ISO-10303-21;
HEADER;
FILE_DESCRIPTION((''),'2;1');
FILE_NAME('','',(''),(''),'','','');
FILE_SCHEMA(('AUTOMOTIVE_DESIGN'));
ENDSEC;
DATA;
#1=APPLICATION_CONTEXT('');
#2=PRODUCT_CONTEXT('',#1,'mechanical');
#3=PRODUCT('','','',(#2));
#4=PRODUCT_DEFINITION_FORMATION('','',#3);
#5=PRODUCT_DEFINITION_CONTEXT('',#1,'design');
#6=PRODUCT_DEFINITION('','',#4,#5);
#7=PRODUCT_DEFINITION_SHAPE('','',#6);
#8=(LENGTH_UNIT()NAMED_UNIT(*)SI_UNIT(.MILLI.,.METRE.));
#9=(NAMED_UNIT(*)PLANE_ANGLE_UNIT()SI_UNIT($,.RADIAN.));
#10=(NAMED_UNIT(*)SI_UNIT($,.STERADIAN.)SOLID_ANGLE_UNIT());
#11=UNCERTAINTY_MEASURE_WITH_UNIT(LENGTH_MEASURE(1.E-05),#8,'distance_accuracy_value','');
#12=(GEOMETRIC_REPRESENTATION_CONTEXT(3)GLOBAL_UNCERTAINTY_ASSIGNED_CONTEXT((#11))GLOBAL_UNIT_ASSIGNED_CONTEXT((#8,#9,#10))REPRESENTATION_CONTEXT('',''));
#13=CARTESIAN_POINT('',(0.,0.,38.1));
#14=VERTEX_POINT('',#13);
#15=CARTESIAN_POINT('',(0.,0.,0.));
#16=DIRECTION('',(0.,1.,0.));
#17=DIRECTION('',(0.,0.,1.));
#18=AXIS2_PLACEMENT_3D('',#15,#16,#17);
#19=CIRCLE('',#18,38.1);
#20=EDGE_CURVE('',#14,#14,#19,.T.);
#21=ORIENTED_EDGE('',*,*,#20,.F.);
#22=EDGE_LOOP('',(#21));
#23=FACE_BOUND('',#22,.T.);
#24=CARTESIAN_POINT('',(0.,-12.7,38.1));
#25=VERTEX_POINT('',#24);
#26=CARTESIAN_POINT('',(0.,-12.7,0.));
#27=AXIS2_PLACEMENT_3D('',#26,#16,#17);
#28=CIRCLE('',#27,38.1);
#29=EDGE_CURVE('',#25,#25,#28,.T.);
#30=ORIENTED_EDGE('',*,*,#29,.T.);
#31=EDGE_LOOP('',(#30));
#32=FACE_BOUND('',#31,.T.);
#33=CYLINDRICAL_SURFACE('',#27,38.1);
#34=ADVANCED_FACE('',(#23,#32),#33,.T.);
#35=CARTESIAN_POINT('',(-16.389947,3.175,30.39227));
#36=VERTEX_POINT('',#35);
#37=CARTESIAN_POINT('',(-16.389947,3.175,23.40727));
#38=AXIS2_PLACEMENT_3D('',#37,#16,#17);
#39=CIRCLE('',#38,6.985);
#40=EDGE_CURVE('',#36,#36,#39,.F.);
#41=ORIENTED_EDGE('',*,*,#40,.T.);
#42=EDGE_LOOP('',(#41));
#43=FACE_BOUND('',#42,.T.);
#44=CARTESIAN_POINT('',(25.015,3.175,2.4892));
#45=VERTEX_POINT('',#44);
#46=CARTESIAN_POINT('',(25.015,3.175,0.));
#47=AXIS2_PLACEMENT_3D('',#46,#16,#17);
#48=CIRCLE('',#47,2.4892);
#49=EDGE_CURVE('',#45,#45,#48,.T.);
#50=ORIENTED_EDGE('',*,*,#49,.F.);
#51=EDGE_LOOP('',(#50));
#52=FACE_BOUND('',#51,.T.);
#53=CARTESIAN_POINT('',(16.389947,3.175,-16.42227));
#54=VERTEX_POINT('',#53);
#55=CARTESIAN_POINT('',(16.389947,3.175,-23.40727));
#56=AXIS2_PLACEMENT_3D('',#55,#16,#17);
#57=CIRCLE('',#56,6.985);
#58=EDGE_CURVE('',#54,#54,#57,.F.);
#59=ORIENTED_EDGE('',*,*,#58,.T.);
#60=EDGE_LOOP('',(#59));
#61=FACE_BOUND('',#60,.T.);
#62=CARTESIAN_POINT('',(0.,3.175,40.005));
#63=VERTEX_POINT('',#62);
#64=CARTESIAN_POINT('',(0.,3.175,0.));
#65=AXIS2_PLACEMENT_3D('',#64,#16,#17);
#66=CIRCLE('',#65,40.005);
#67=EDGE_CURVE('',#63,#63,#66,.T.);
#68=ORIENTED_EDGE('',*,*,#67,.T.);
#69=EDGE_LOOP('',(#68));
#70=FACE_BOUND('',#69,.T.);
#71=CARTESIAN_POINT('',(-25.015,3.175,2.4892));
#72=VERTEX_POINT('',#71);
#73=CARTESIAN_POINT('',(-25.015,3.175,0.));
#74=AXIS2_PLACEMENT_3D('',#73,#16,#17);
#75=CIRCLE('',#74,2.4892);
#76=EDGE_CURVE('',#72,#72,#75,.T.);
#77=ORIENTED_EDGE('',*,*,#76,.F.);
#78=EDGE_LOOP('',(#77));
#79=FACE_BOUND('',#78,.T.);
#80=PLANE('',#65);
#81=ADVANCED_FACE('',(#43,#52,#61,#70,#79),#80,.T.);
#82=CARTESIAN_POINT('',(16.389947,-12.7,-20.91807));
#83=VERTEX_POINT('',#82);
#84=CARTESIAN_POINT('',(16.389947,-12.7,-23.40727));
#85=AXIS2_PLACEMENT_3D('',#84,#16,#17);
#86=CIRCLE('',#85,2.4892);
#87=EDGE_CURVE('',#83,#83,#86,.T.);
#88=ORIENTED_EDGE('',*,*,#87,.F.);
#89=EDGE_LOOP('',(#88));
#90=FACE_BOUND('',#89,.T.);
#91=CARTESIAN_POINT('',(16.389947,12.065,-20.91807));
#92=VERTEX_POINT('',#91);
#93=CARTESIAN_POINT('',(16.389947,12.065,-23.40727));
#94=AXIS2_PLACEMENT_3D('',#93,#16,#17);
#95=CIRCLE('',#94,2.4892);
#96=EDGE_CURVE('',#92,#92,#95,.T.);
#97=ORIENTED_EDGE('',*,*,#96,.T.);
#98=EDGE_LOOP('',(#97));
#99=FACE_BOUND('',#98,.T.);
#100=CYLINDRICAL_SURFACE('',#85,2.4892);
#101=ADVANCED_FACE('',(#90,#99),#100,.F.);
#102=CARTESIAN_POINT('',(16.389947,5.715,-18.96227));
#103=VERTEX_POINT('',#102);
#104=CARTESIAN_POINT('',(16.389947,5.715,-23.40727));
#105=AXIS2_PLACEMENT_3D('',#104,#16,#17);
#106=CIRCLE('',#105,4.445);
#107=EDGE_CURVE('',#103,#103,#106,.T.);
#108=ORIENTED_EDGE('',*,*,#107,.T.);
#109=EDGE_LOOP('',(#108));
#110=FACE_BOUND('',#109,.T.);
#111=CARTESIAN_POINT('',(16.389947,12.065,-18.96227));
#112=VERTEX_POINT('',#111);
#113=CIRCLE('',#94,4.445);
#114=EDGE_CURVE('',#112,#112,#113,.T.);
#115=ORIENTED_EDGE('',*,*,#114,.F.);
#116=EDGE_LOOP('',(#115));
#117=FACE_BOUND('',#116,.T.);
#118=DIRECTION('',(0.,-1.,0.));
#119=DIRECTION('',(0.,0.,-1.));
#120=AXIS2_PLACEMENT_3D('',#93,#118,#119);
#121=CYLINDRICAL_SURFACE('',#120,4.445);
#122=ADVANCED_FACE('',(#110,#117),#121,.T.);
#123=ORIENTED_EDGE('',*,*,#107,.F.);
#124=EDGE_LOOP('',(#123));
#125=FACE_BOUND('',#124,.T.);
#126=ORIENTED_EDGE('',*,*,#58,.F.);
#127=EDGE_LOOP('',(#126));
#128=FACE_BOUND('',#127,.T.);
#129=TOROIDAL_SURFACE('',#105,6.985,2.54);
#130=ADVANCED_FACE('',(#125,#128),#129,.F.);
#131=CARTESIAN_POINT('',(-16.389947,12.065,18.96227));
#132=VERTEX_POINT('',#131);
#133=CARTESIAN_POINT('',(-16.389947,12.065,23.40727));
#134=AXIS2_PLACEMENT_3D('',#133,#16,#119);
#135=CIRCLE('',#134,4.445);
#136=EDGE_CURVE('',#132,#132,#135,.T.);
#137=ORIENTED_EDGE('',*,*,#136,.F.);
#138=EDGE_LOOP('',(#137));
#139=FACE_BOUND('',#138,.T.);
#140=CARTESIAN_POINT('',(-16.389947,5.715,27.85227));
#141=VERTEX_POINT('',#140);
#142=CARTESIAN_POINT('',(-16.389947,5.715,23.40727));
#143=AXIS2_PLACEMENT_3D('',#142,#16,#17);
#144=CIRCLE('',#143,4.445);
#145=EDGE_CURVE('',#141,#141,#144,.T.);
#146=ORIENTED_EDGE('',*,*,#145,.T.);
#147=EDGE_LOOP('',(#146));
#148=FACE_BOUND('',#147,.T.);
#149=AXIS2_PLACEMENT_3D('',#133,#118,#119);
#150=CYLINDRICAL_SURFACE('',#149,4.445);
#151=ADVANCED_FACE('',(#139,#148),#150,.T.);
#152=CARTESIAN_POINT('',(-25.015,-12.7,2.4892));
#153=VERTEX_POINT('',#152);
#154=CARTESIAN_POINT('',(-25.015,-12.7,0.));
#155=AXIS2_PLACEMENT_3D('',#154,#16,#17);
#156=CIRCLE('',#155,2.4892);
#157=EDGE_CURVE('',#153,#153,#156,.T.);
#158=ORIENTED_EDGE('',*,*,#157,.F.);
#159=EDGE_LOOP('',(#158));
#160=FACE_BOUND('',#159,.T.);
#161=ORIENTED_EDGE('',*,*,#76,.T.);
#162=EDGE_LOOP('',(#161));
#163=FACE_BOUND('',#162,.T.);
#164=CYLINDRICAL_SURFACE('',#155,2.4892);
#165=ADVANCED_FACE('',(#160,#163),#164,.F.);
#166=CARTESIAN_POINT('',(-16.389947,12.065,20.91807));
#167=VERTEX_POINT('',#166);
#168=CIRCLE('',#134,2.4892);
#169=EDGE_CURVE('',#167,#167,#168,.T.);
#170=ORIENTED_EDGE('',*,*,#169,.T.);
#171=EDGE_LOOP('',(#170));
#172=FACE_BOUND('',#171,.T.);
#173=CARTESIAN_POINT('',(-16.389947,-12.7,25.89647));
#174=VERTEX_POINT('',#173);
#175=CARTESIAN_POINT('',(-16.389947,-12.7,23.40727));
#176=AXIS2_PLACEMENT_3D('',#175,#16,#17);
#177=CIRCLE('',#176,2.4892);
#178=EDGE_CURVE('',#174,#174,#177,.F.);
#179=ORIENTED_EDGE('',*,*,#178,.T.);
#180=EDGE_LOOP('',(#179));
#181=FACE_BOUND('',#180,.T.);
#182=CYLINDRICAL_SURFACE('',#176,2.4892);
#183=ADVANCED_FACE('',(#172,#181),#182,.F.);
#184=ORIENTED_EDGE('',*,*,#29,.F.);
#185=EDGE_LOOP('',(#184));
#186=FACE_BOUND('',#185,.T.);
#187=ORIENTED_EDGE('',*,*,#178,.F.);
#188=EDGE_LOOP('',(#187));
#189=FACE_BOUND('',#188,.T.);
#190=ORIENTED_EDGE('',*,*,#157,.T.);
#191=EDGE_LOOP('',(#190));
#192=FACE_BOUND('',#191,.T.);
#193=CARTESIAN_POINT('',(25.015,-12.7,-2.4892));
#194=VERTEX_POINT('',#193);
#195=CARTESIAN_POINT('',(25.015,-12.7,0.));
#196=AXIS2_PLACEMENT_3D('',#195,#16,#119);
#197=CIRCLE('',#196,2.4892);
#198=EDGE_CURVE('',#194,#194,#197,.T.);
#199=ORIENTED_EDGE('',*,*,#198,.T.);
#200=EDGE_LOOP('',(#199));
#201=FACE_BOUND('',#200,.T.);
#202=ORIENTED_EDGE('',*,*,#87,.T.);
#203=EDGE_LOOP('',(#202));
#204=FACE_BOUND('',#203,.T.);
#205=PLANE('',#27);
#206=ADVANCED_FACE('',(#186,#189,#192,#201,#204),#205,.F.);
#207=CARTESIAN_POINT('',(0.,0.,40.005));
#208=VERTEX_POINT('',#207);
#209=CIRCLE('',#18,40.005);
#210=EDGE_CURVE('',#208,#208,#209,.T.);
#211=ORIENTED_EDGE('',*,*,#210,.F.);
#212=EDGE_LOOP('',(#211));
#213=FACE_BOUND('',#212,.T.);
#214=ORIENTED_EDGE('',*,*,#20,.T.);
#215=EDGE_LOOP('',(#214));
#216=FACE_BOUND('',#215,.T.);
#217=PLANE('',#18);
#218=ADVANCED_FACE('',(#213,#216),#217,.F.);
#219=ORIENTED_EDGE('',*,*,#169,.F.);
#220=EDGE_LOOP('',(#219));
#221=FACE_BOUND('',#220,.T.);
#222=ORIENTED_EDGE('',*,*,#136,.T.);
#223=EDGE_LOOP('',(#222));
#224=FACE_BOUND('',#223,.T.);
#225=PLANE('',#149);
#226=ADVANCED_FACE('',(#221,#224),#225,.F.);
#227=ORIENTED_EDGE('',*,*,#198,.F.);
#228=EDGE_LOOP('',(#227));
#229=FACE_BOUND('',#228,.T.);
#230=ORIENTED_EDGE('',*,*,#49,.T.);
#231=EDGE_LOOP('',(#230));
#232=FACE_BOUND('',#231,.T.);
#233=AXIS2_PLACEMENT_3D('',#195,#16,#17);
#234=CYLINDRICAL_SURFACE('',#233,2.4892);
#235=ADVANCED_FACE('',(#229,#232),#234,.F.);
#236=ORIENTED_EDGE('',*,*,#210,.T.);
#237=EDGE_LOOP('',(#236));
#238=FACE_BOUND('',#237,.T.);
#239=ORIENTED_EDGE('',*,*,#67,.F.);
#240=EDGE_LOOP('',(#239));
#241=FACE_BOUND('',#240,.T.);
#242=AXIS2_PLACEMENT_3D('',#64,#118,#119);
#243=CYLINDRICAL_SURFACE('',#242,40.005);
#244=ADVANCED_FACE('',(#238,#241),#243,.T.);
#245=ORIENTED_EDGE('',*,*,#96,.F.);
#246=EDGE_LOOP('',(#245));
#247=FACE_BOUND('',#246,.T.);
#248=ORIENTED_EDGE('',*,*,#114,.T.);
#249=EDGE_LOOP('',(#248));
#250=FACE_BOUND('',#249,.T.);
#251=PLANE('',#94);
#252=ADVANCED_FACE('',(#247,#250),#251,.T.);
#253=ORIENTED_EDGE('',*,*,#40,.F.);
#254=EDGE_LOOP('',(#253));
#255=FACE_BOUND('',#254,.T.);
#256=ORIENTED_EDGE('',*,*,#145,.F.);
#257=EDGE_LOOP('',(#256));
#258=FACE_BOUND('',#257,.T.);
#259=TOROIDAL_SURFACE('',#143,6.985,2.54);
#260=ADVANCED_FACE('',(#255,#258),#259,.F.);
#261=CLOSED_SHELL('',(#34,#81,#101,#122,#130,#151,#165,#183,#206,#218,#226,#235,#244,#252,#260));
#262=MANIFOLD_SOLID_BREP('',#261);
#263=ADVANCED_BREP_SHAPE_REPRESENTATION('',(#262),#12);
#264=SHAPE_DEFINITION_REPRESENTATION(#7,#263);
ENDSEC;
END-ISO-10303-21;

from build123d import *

# Parameters (mm, degrees)
SKETCH1_R               = 40.005
BOSS_EXTRUDE1_DEPTH     = 3.175
SKETCH1_3_R             = 38.1
BOSS_EXTRUDE2_DEPTH     = 12.7
CUT_EXTRUDE1_DEPTH      = 59.760664351
CUT_EXTRUDE1_DEPTH_BACK = 59.760664351
SKETCH3_R               = 2.4892
CUT_EXTRUDE2_DEPTH      = 59.760664351
CUT_EXTRUDE2_DEPTH_BACK = 59.760664351
SKETCH4_R               = 2.4892
BOSS_EXTRUDE3_START     = 8.89
SKETCH4_3_R             = 4.445
SKETCH4_3_R_2           = 2.4892
BOSS_EXTRUDE3_DEPTH     = 8.89
FILLET1_R               = 2.54


with BuildPart() as part:
    # Sketch1 → Boss-Extrude1 (new body)
    with BuildSketch(Plane(origin=(0, 0, 0), x_dir=(1, 0, 0), z_dir=(0, 1, 0))):
        Circle(SKETCH1_R)
    extrude(amount=BOSS_EXTRUDE1_DEPTH)

    # Sketch1<3> → Boss-Extrude2 (add)
    with BuildSketch(Plane(origin=(0, 0, 0), x_dir=(1, 0, 0), z_dir=(0, 1, 0))):
        Circle(SKETCH1_3_R)
    extrude(amount=-BOSS_EXTRUDE2_DEPTH)

    # Sketch3 → Cut-Extrude1 (cut, two sides: drawn at the far end of the back side and taken through both)
    with BuildSketch(Plane(origin=(0, 3.175, 0), x_dir=(1, 0, 0), z_dir=(0, 1, 0)).offset(-CUT_EXTRUDE1_DEPTH_BACK)):
        with Locations((-25.015, 0)):
            Circle(SKETCH3_R)
        with Locations((25.015, 0)):
            Circle(SKETCH3_R)
    extrude(amount=CUT_EXTRUDE1_DEPTH + CUT_EXTRUDE1_DEPTH_BACK, mode=Mode.SUBTRACT)

    # Sketch4 → Cut-Extrude2 (cut, two sides: drawn at the far end of the back side and taken through both)
    with BuildSketch(Plane(origin=(0, 3.175, 0), x_dir=(1, 0, 0), z_dir=(0, 1, 0)).offset(-CUT_EXTRUDE2_DEPTH_BACK)):
        with Locations((16.389946669, 23.407269666)):
            Circle(SKETCH4_R)
        with Locations((-16.389946669, -23.407269666)):
            Circle(SKETCH4_R)
    extrude(amount=CUT_EXTRUDE2_DEPTH + CUT_EXTRUDE2_DEPTH_BACK, mode=Mode.SUBTRACT)

    # Sketch4<3> → Boss-Extrude3 (add)
    # profile 1 of 2: a face of its own
    with BuildSketch(Plane(origin=(0, 3.175, 0), x_dir=(1, 0, 0), z_dir=(0, 1, 0)).offset(BOSS_EXTRUDE3_START)):
        with Locations((16.389946669, 23.407269666)):
            Circle(SKETCH4_3_R)
        with Locations((16.389946669, 23.407269666)):
            Circle(SKETCH4_3_R_2, mode=Mode.SUBTRACT)
    # profile 2 of 2: a face of its own
    with BuildSketch(Plane(origin=(0, 3.175, 0), x_dir=(1, 0, 0), z_dir=(0, 1, 0)).offset(BOSS_EXTRUDE3_START)):
        with Locations((-16.389946669, -23.407269666)):
            Circle(SKETCH4_3_R)
        with Locations((-16.389946669, -23.407269666)):
            Circle(SKETCH4_3_R_2, mode=Mode.SUBTRACT)
    extrude(amount=-BOSS_EXTRUDE3_DEPTH)

    # Fillet1
    fillet1_edges = [part.edges().sort_by_distance(p)[0] for p in [
        (11.944946669, 3.175, -23.407269666),
        (-20.834946669, 3.175, 23.407269666),
    ]]
    fillet(fillet1_edges, radius=FILLET1_R)


solid = part.part
